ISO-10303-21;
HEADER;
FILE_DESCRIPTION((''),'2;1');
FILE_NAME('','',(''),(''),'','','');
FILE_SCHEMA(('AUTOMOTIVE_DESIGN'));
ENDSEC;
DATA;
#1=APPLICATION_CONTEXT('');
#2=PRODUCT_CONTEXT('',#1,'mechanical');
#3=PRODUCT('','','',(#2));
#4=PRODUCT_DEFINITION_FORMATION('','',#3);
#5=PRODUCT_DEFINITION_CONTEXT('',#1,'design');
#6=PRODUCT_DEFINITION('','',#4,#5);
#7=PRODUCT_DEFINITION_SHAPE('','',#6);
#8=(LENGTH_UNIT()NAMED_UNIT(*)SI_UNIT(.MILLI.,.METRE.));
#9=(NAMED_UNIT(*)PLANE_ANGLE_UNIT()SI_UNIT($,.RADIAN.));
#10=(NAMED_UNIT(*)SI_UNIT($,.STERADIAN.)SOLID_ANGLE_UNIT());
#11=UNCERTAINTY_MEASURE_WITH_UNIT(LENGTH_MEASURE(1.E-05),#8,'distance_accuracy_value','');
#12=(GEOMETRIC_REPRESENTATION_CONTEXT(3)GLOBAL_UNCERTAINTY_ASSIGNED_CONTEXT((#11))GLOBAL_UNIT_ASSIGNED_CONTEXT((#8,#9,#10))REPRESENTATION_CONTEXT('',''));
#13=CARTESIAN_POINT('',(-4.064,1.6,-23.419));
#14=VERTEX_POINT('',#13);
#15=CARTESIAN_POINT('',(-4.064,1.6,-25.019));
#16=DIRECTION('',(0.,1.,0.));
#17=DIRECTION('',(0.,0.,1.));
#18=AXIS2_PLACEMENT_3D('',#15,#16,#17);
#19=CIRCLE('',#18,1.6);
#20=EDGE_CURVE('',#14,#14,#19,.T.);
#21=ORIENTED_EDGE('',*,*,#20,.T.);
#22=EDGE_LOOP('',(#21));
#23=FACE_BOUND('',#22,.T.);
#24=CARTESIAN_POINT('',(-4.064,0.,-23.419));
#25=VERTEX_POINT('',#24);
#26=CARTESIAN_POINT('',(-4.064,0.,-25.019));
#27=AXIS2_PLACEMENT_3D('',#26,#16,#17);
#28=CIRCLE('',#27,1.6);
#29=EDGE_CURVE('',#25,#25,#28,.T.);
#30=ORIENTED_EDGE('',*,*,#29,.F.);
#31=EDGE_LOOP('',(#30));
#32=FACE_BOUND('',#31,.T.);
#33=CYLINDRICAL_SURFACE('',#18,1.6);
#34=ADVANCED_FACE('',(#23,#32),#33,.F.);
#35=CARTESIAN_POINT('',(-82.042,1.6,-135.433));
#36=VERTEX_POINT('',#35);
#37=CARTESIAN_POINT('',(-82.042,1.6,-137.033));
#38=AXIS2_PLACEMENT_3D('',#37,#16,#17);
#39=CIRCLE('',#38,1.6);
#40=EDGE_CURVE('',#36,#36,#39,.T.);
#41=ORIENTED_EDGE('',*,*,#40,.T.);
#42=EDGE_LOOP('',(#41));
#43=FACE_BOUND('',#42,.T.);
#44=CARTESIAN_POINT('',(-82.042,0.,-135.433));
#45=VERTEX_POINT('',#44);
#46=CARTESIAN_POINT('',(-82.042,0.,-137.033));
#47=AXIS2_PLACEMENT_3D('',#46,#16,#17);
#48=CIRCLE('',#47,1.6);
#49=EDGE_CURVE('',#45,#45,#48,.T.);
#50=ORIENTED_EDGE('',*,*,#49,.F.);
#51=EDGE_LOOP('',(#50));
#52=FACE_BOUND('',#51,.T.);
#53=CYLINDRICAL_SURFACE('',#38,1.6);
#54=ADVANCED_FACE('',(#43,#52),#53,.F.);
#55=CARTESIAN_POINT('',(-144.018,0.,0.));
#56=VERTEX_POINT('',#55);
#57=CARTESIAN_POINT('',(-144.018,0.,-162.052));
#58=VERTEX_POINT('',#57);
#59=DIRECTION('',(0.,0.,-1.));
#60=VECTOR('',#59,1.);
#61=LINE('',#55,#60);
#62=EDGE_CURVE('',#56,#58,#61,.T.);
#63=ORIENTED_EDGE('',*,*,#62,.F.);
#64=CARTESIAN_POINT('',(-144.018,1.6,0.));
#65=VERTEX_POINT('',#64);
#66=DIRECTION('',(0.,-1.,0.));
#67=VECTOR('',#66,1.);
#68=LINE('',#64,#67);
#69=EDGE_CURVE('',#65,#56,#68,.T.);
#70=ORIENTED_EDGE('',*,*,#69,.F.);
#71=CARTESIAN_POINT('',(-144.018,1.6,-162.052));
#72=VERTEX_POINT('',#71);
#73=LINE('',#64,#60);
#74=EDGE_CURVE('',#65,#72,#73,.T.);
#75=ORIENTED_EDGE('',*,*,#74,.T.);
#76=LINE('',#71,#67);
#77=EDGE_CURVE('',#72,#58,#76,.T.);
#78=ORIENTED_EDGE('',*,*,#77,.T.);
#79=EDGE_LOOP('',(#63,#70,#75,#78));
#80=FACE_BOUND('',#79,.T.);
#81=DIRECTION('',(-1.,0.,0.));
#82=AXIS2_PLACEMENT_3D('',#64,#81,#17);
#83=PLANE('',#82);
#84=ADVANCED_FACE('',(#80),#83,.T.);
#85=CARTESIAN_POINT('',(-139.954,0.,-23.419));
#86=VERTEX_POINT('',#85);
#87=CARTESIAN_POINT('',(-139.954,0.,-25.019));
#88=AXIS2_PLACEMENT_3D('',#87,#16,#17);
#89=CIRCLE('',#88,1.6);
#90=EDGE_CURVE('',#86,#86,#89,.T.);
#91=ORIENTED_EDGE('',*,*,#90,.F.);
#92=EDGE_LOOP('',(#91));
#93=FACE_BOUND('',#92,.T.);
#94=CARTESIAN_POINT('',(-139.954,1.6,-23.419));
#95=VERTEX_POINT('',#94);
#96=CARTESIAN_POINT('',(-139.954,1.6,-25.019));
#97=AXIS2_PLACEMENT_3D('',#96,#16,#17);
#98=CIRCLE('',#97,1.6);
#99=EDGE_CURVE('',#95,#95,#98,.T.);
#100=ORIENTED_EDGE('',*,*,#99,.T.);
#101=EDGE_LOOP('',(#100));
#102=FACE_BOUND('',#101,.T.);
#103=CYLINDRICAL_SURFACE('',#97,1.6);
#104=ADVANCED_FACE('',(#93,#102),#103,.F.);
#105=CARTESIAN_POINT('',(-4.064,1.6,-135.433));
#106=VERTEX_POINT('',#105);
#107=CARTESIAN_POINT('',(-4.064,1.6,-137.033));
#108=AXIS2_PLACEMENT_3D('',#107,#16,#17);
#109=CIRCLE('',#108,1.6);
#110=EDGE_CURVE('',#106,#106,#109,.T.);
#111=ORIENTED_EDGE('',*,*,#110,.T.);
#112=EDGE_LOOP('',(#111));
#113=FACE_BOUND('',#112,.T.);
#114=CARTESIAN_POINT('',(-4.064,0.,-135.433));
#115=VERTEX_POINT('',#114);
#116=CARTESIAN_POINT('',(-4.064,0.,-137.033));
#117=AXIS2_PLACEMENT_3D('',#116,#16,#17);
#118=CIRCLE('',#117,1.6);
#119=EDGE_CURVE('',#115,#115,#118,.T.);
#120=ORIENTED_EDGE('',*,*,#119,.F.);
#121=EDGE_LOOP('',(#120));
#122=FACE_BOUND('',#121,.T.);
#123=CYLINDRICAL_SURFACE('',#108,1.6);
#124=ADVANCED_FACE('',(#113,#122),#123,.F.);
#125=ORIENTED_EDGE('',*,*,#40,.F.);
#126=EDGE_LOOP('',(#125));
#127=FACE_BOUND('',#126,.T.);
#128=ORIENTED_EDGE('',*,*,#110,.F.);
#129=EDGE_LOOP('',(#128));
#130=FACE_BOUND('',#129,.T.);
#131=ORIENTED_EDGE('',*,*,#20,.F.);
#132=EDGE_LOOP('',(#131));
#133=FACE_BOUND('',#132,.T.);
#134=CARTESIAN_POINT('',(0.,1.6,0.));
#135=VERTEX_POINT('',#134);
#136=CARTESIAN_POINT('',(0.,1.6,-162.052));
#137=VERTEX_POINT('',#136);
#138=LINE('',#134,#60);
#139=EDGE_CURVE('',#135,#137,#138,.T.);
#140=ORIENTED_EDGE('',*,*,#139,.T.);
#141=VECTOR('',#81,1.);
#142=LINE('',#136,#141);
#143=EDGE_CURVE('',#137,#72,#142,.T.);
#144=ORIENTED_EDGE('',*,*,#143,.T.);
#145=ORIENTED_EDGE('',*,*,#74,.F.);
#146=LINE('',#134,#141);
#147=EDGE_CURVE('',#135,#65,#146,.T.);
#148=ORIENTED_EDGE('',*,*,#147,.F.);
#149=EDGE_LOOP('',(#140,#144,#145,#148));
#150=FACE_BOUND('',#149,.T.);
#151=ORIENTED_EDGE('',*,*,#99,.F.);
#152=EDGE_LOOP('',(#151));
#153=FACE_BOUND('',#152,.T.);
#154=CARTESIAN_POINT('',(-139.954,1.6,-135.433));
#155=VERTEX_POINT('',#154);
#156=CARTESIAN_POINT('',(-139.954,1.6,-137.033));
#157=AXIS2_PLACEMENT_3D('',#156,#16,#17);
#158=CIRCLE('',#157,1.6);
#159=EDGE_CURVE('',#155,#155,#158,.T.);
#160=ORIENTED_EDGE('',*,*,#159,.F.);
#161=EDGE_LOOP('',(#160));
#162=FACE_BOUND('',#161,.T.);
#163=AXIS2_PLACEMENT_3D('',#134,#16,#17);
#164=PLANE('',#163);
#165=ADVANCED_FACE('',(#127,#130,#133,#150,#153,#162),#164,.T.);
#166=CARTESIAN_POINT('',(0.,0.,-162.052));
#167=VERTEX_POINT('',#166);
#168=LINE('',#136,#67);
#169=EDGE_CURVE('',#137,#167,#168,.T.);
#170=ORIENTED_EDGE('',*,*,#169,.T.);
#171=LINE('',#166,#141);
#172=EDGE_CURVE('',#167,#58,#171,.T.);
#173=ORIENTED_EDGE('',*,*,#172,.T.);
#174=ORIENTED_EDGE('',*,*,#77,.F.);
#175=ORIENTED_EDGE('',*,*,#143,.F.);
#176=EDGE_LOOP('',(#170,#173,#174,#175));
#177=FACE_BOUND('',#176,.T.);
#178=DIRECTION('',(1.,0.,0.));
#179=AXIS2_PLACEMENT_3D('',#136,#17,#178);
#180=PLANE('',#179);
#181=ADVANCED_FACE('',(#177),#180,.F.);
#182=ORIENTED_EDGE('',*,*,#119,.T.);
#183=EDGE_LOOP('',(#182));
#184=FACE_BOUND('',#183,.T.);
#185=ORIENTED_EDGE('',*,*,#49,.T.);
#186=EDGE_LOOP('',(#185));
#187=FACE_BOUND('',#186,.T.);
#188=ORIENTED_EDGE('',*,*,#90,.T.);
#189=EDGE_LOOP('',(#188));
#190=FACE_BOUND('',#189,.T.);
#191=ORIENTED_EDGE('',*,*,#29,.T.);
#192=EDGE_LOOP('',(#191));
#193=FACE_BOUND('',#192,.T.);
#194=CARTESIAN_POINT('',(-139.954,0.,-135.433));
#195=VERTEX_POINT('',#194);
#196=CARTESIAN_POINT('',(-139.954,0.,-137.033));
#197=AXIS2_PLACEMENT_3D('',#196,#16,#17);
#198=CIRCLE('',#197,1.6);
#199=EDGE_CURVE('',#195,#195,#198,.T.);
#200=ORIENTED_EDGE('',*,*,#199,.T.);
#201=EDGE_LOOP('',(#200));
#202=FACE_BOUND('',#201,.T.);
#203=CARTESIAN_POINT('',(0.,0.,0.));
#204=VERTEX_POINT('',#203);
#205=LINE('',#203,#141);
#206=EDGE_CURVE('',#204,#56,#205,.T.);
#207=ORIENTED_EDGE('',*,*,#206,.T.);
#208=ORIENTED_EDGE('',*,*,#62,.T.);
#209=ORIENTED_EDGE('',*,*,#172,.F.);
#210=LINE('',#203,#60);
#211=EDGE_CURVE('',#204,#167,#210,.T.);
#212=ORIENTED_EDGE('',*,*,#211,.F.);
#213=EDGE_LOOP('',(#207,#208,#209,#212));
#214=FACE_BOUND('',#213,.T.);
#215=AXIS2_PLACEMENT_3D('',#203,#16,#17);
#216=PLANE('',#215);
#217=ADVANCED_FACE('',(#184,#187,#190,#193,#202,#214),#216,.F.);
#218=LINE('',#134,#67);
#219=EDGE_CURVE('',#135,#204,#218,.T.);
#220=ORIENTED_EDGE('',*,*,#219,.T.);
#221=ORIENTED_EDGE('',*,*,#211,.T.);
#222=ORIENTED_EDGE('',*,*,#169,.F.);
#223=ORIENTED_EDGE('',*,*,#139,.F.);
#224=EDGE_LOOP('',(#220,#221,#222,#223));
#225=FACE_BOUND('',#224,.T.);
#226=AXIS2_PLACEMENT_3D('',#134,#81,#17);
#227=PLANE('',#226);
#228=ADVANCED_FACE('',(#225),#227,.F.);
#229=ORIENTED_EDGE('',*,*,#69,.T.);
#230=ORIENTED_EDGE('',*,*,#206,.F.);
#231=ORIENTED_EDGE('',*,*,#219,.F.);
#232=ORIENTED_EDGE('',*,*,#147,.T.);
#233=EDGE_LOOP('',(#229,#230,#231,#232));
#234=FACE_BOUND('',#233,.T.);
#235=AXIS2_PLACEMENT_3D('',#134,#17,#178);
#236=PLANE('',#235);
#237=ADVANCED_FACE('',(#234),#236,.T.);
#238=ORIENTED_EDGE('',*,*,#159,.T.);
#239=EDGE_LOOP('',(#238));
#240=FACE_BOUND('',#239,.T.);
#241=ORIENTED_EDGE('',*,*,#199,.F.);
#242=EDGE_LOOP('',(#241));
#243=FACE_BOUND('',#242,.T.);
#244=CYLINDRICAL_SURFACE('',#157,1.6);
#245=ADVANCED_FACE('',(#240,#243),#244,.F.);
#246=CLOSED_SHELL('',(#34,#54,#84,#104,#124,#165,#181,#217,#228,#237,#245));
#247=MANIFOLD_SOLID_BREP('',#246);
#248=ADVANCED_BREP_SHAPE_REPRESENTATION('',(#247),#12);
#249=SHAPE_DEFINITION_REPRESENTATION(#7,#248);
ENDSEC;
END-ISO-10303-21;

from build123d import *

# Parameters (mm, degrees)
SKETCH_2_W      = 144.018
SKETCH_2_H      = 162.052
EXTRUDE_1_DEPTH = 1.6
F_5_0MM_1_D     = 3.2


with BuildPart() as part:
    # 草圖2 → 填料-伸長1 (new body)
    with BuildSketch(Plane(origin=(0, 0, 0), x_dir=(1, 0, 0), z_dir=(0, 1, 0))):
        with Locations((-72.009, 81.026)):
            Rectangle(SKETCH_2_W, SKETCH_2_H)
    extrude(amount=EXTRUDE_1_DEPTH)

    # Ø5.0mm 定位孔1 (through all)
    with Locations(Plane(origin=(0, 1.6, 0), x_dir=(1, 0, 0), z_dir=(0, 1, 0))):
        with Locations((-139.954, 137.033), (-82.042, 137.033), (-4.064, 137.033), (-4.064, 25.019), (-139.954, 25.019)):
            Hole(F_5_0MM_1_D / 2)


solid = part.part
